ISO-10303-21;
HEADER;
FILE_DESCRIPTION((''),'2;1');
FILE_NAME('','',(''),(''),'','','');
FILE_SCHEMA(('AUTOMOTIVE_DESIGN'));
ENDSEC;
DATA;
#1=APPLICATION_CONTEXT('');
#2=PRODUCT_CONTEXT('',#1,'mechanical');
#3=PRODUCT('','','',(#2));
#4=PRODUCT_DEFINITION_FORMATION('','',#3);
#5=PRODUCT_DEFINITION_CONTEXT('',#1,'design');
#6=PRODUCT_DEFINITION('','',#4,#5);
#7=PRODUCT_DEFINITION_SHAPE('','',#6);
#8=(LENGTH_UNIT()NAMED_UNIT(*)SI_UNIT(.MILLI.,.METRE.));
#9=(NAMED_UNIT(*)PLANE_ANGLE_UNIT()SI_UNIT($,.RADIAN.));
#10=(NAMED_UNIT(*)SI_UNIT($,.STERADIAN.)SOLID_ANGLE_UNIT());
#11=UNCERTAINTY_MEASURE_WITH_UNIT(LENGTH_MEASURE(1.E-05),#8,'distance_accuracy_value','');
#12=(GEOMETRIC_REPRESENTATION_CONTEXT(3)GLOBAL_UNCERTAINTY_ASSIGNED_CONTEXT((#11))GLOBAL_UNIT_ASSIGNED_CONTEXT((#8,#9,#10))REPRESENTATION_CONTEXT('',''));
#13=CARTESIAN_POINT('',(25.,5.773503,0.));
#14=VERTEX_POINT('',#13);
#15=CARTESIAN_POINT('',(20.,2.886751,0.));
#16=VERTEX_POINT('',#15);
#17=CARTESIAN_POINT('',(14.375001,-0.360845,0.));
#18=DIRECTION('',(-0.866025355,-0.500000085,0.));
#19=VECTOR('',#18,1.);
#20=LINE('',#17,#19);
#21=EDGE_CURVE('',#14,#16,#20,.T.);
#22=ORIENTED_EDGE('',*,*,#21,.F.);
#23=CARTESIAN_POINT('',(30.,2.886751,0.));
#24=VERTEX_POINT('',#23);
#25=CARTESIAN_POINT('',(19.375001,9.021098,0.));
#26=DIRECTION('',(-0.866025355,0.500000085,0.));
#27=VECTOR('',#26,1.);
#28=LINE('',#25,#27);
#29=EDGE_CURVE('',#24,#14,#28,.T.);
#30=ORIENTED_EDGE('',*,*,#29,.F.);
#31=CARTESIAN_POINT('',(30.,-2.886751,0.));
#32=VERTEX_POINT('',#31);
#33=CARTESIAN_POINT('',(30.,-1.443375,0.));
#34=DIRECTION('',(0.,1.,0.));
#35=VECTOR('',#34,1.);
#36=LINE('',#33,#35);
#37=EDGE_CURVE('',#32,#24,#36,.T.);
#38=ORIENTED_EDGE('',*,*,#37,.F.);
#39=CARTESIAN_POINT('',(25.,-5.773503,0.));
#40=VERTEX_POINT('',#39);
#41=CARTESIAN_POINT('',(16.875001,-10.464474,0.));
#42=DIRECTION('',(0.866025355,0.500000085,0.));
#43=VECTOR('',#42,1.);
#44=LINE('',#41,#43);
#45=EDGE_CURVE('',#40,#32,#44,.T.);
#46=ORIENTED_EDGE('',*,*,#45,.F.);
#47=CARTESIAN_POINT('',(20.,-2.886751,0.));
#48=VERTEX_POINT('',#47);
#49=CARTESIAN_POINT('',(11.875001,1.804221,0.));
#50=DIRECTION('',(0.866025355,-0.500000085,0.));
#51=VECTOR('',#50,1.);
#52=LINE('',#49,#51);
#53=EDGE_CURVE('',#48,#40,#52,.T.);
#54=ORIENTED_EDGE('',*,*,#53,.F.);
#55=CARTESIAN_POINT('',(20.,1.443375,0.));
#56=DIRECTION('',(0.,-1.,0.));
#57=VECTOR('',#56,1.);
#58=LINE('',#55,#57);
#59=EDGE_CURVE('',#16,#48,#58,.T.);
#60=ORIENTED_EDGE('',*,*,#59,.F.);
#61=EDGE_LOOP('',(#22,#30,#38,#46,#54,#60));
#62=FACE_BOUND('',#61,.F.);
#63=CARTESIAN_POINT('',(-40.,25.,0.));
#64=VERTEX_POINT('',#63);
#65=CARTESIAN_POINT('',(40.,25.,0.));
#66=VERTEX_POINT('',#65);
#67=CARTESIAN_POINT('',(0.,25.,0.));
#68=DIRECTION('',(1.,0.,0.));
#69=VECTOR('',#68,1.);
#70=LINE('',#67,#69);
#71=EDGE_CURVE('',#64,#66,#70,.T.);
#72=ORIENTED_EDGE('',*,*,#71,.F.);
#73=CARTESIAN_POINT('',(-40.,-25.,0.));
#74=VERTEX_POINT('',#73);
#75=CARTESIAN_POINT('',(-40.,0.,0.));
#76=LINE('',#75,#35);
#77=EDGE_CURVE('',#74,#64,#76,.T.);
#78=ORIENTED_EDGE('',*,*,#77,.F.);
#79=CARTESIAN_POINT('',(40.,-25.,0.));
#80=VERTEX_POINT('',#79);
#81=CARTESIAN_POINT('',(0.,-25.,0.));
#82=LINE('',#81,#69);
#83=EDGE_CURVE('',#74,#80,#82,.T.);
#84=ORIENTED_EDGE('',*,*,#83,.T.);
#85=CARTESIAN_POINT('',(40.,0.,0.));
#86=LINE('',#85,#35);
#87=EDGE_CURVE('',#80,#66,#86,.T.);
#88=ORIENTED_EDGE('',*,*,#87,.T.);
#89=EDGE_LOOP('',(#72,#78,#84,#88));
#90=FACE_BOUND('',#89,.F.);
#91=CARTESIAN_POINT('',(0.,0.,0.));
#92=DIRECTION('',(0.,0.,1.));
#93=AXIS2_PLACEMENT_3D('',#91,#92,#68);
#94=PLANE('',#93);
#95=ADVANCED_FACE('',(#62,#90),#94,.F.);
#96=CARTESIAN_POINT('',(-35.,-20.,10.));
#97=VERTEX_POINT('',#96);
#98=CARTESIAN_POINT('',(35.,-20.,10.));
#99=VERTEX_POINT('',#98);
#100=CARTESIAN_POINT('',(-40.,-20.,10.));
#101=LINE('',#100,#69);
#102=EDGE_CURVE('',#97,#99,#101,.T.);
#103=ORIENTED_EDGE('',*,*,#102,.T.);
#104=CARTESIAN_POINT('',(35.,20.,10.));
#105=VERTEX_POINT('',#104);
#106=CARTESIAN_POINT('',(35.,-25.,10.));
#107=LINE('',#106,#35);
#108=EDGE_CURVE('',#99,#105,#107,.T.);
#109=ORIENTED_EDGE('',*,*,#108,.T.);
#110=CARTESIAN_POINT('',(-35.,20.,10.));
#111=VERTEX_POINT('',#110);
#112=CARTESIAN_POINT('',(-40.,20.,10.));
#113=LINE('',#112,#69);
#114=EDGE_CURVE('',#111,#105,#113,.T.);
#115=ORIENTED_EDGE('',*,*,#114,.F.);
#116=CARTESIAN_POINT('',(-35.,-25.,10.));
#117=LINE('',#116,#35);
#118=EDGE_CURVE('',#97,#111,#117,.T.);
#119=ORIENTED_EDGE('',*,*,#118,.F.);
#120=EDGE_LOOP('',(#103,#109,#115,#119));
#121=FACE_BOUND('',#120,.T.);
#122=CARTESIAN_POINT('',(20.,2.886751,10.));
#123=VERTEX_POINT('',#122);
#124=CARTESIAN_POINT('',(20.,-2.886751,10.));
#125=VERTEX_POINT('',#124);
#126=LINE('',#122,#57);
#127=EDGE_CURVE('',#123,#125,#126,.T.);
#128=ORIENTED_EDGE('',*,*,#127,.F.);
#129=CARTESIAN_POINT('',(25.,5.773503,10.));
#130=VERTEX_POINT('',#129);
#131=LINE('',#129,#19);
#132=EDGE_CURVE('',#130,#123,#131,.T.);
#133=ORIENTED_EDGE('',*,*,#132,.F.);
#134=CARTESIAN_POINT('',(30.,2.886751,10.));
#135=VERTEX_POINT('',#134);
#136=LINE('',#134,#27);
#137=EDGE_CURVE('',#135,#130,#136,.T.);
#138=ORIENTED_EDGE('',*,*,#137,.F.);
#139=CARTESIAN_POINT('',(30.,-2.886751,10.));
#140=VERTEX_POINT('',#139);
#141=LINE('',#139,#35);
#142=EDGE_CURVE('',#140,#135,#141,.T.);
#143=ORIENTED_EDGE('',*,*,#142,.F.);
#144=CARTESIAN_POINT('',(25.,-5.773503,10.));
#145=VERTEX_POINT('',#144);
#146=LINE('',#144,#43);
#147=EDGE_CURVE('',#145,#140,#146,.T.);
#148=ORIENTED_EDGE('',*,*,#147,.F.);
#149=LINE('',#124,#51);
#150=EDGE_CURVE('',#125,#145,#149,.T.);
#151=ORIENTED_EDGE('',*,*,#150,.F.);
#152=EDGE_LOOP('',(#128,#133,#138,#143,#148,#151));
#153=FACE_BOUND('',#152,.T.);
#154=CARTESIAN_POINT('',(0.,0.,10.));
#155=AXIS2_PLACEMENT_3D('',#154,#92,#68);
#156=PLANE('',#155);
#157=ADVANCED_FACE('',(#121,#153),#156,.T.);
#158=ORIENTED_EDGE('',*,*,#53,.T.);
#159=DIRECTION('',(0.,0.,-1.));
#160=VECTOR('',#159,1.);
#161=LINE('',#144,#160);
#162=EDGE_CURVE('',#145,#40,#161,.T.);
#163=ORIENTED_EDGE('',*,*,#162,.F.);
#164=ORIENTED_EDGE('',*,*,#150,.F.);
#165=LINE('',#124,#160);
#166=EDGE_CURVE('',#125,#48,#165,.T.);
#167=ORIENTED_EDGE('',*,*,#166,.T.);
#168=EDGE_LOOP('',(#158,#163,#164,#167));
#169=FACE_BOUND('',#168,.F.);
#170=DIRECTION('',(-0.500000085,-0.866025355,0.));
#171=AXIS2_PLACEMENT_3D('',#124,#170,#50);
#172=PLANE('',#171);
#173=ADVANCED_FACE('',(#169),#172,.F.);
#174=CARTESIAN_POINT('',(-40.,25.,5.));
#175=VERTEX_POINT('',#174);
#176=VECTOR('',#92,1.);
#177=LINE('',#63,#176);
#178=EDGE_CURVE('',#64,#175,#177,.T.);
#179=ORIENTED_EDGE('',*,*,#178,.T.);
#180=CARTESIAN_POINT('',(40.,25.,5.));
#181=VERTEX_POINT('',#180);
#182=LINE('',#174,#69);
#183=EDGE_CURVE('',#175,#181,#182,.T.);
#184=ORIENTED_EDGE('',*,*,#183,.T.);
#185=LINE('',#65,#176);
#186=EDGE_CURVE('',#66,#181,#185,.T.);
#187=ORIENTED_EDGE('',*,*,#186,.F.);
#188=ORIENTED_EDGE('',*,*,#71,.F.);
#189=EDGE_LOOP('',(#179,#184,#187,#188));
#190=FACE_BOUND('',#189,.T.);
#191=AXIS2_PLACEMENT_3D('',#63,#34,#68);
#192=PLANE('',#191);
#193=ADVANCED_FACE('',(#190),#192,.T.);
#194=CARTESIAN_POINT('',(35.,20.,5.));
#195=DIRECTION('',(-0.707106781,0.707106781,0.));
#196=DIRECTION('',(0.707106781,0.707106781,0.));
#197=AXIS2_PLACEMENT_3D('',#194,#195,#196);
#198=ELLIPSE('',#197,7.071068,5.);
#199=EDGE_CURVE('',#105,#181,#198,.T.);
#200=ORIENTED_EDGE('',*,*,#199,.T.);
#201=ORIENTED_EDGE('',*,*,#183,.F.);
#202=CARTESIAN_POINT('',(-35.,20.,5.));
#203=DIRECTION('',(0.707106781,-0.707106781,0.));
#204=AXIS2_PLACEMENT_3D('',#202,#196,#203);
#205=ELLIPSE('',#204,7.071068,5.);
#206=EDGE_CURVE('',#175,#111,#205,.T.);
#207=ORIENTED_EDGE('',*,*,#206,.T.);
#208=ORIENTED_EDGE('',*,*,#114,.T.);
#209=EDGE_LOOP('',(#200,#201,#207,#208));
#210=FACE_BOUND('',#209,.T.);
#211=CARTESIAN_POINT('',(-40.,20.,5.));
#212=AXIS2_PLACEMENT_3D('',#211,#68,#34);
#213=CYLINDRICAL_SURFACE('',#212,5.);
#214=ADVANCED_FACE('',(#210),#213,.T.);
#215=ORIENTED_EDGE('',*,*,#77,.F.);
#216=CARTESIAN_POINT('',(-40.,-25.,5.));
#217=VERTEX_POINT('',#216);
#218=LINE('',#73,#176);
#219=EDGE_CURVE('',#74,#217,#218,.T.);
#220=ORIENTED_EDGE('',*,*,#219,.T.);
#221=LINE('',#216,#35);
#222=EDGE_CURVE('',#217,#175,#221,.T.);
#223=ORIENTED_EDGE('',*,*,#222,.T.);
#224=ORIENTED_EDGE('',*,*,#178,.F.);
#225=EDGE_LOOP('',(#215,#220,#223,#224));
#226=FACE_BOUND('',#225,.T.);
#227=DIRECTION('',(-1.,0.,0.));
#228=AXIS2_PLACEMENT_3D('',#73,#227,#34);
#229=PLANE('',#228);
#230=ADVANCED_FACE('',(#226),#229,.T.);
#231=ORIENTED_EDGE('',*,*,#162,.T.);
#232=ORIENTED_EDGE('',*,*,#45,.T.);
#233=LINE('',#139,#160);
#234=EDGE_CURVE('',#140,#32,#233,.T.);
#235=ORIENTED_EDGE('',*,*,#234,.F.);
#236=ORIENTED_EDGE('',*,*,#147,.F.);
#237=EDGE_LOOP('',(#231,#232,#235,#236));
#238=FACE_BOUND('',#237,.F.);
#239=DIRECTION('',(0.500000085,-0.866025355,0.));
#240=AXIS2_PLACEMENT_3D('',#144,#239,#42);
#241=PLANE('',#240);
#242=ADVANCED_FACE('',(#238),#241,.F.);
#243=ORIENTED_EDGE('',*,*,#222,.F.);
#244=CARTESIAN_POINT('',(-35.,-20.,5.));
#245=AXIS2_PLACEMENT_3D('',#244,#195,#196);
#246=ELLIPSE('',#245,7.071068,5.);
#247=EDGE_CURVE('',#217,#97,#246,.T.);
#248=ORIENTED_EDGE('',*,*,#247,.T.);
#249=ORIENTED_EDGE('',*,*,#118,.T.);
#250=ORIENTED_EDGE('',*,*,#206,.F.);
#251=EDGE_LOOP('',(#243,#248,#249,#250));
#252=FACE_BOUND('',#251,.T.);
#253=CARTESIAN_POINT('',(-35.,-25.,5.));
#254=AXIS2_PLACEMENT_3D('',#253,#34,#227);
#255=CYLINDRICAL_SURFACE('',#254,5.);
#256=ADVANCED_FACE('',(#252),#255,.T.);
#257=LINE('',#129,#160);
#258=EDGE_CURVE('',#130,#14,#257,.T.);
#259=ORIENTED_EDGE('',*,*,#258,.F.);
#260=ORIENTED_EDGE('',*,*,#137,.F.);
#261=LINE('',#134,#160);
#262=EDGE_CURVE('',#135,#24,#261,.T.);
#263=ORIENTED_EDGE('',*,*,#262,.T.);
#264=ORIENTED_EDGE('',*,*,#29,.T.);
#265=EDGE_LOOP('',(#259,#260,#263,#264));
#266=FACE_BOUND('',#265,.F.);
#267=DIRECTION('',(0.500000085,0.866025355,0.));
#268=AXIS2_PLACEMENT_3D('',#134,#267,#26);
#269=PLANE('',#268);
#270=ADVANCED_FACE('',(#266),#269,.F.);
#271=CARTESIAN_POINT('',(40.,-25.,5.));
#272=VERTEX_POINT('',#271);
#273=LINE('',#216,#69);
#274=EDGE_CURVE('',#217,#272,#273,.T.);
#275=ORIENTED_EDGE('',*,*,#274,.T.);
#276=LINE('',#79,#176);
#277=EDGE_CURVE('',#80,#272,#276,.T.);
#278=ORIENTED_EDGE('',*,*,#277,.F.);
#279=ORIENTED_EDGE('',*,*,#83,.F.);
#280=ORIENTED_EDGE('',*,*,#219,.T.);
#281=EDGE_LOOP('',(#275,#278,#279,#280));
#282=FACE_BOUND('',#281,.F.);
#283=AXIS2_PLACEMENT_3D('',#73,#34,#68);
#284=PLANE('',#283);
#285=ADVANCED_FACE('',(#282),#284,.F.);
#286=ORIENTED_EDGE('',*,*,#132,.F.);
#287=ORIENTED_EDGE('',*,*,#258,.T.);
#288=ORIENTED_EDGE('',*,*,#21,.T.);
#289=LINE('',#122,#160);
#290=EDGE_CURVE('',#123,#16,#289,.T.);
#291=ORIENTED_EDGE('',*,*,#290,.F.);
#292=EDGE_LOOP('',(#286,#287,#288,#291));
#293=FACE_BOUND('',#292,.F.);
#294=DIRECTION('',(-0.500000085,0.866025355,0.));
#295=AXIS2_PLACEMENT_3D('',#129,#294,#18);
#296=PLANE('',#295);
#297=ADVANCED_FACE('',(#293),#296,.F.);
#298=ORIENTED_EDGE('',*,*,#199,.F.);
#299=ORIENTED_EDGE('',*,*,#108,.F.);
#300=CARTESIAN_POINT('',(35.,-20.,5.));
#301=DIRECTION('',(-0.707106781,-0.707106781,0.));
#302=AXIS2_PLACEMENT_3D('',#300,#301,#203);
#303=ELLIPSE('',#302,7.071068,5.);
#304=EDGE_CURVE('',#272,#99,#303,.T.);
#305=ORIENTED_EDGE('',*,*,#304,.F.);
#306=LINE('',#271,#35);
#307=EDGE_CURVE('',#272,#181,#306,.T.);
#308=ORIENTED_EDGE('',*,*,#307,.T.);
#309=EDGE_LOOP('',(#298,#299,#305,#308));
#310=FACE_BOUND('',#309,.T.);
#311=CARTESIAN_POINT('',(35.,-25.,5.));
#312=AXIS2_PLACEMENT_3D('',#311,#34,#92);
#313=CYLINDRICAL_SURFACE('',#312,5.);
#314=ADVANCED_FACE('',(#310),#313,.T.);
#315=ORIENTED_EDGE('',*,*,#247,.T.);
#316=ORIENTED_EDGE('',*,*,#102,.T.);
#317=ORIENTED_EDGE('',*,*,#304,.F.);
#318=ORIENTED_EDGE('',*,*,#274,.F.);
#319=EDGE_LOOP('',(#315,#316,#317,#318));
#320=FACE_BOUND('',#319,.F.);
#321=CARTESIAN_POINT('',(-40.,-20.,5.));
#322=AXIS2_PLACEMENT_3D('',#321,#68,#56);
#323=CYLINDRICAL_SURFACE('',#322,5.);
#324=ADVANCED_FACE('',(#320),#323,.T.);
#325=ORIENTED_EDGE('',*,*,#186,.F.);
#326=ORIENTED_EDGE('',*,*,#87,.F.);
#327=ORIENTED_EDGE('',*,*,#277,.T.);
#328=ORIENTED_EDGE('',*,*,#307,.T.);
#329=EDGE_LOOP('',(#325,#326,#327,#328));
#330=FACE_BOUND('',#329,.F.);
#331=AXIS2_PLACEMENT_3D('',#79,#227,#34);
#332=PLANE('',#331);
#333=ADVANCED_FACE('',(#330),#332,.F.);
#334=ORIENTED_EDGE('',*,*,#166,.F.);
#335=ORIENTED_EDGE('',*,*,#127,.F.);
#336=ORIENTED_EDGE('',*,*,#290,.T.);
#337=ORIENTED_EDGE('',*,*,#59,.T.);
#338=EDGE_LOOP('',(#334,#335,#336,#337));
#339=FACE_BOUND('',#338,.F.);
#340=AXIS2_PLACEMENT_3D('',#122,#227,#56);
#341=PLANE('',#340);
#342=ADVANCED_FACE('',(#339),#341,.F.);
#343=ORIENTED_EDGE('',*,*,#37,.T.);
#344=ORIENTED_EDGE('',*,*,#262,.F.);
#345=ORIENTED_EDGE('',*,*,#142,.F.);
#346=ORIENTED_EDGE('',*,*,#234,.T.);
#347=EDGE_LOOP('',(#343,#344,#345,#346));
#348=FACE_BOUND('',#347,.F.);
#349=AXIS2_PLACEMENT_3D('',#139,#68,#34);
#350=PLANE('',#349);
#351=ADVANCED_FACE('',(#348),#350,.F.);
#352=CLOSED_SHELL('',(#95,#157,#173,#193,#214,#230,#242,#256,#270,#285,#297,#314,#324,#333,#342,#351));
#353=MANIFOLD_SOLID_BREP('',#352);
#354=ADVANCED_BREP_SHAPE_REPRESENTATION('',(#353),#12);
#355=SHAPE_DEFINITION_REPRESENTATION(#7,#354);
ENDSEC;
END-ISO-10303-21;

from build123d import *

# Parameters (mm, degrees)
F0_W     = 80
F0_H     = 50
F1_DEPTH = 10
F3_DEPTH = 15
F4_R     = 5


with BuildPart() as f1:
    # F0 (on Top) → F1 (new body)
    with BuildSketch(Plane.XY):
        Rectangle(F0_W, F0_H)
    extrude(amount=F1_DEPTH)

    # F2 (on face) → F3 (cut)
    with BuildSketch(Plane.XY.offset(10)):
        Polygon((25, -5.773503), (30, -2.886751), (30, 2.886751), (25, 5.773503), (20, 2.886751), (20, -2.886751), align=None)
    extrude(amount=-F3_DEPTH, mode=Mode.SUBTRACT)

    # F4
    f4_edges = [f1.edges().sort_by_distance(p)[0] for p in [
        (0, -25, 10),
        (40, 0, 10),
        (0, 25, 10),
        (-40, 0, 10),
    ]]
    fillet(f4_edges, radius=F4_R)


solid = f1.part
